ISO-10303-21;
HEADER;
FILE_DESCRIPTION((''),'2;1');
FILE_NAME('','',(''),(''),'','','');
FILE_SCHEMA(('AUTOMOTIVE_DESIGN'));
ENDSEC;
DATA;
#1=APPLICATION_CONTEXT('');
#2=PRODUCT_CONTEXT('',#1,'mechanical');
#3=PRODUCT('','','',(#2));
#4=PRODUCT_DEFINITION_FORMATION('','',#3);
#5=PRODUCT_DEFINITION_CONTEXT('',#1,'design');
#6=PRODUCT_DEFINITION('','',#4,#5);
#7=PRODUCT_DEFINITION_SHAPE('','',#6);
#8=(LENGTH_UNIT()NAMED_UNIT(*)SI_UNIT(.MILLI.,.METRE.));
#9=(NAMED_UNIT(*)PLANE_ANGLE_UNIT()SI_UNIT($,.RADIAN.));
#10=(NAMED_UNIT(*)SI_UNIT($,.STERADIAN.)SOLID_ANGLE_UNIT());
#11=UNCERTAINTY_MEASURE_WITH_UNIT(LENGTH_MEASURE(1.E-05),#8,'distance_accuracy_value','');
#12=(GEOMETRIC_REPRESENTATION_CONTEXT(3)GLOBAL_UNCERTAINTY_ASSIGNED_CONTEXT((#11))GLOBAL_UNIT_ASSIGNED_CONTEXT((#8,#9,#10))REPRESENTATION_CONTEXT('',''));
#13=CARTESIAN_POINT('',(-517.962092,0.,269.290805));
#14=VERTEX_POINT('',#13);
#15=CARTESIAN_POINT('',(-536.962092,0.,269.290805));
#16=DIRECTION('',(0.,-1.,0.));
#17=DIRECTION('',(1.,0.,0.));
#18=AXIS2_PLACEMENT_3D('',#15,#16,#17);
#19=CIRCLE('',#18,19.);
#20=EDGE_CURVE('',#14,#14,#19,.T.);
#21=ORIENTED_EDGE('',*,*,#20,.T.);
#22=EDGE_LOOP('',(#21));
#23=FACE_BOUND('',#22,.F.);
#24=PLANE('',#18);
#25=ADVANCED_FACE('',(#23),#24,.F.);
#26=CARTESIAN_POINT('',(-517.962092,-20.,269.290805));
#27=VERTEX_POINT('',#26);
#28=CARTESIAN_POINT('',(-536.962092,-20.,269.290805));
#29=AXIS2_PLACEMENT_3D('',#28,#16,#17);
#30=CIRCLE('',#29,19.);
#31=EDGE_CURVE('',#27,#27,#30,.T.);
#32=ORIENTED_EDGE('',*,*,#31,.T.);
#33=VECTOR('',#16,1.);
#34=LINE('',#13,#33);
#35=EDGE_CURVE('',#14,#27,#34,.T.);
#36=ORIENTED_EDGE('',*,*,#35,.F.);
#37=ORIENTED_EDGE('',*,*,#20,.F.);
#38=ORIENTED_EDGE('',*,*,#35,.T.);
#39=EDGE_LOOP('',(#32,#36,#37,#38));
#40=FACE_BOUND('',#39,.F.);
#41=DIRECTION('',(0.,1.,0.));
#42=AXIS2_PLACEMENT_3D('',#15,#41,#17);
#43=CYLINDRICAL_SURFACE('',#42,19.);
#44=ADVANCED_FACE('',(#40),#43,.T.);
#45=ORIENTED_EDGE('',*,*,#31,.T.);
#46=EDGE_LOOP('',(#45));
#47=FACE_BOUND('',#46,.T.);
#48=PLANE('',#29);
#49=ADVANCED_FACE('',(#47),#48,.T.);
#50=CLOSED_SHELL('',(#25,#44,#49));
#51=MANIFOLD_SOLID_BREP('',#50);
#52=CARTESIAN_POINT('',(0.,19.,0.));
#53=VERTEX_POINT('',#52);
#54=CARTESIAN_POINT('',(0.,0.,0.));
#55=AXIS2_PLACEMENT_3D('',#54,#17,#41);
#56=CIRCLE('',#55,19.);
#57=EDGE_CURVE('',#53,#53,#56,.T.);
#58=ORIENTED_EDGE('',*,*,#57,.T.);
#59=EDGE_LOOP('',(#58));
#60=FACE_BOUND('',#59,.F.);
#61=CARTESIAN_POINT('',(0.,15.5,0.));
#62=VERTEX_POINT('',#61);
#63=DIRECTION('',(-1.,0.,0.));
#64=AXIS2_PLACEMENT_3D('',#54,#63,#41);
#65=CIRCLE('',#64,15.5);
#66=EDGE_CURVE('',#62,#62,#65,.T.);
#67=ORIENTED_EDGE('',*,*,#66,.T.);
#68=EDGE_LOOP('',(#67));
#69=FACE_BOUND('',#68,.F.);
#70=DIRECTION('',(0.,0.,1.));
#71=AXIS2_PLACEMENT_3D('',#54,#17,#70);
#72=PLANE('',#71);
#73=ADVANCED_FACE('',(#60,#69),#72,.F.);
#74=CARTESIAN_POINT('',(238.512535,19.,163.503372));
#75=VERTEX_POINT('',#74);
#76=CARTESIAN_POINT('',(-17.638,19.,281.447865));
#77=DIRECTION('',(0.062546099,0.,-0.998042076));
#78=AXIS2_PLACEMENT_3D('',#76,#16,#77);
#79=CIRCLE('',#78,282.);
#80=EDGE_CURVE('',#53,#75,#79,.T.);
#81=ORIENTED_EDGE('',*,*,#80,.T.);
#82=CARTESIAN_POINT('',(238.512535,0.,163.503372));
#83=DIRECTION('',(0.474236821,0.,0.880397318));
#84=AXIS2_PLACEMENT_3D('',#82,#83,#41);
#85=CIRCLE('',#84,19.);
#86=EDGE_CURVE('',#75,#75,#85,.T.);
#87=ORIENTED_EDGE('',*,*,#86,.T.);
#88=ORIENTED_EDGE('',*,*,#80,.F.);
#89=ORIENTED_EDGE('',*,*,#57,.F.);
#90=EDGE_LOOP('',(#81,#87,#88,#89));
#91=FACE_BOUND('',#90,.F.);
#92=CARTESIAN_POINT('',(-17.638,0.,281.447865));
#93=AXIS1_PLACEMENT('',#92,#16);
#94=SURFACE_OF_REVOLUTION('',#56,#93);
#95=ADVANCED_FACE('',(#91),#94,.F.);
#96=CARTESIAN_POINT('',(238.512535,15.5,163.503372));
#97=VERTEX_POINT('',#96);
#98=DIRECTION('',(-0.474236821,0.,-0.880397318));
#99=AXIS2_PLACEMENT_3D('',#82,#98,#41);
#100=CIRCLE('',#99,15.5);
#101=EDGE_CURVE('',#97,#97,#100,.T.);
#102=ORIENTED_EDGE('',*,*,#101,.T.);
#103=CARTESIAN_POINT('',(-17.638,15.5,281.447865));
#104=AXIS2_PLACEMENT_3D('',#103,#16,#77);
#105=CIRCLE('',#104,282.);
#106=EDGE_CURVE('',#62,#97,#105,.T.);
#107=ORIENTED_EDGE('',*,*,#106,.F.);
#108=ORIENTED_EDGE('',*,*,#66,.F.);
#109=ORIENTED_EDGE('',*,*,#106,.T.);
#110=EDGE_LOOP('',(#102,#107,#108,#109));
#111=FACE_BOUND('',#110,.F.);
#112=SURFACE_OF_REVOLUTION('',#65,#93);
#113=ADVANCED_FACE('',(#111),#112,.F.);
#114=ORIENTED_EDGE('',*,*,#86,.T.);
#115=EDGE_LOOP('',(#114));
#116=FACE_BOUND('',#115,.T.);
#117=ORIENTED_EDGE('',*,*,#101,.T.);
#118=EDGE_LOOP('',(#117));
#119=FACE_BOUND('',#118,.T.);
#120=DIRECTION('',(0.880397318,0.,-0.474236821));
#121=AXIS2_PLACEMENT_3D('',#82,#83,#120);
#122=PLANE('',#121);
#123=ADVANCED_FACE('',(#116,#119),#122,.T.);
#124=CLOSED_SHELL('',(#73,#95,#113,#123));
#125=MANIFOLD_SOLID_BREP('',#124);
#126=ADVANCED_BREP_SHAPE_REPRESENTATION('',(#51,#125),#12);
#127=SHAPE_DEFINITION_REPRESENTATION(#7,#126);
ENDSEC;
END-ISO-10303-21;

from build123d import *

# Parameters (mm, degrees)
F0_R     = 19
F0_R_2   = 15.5
F3_R     = 19
F4_DEPTH = 20


with BuildPart() as f2:
    # F2: sweep along a path in F1
    with BuildLine(Plane.XZ) as f2_path:
        ThreePointArc((0, 0), (141.8091030578, 48.8524626845), (238.5125350627, 163.5033722267))
    # F0 (on Right) → F2 (sweep)
    with BuildSketch(Plane.YZ):
        Circle(F0_R)
        Circle(F0_R_2, mode=Mode.SUBTRACT)
    sweep(path=f2_path.line)


with BuildPart() as f4:
    # F3 (on Front) → F4 (new body)
    with BuildSketch(Plane.XZ):
        with Locations((-536.9620919228, 269.290804863)):
            Circle(F3_R)
    extrude(amount=F4_DEPTH)


solid = Compound([f2.part, f4.part])
